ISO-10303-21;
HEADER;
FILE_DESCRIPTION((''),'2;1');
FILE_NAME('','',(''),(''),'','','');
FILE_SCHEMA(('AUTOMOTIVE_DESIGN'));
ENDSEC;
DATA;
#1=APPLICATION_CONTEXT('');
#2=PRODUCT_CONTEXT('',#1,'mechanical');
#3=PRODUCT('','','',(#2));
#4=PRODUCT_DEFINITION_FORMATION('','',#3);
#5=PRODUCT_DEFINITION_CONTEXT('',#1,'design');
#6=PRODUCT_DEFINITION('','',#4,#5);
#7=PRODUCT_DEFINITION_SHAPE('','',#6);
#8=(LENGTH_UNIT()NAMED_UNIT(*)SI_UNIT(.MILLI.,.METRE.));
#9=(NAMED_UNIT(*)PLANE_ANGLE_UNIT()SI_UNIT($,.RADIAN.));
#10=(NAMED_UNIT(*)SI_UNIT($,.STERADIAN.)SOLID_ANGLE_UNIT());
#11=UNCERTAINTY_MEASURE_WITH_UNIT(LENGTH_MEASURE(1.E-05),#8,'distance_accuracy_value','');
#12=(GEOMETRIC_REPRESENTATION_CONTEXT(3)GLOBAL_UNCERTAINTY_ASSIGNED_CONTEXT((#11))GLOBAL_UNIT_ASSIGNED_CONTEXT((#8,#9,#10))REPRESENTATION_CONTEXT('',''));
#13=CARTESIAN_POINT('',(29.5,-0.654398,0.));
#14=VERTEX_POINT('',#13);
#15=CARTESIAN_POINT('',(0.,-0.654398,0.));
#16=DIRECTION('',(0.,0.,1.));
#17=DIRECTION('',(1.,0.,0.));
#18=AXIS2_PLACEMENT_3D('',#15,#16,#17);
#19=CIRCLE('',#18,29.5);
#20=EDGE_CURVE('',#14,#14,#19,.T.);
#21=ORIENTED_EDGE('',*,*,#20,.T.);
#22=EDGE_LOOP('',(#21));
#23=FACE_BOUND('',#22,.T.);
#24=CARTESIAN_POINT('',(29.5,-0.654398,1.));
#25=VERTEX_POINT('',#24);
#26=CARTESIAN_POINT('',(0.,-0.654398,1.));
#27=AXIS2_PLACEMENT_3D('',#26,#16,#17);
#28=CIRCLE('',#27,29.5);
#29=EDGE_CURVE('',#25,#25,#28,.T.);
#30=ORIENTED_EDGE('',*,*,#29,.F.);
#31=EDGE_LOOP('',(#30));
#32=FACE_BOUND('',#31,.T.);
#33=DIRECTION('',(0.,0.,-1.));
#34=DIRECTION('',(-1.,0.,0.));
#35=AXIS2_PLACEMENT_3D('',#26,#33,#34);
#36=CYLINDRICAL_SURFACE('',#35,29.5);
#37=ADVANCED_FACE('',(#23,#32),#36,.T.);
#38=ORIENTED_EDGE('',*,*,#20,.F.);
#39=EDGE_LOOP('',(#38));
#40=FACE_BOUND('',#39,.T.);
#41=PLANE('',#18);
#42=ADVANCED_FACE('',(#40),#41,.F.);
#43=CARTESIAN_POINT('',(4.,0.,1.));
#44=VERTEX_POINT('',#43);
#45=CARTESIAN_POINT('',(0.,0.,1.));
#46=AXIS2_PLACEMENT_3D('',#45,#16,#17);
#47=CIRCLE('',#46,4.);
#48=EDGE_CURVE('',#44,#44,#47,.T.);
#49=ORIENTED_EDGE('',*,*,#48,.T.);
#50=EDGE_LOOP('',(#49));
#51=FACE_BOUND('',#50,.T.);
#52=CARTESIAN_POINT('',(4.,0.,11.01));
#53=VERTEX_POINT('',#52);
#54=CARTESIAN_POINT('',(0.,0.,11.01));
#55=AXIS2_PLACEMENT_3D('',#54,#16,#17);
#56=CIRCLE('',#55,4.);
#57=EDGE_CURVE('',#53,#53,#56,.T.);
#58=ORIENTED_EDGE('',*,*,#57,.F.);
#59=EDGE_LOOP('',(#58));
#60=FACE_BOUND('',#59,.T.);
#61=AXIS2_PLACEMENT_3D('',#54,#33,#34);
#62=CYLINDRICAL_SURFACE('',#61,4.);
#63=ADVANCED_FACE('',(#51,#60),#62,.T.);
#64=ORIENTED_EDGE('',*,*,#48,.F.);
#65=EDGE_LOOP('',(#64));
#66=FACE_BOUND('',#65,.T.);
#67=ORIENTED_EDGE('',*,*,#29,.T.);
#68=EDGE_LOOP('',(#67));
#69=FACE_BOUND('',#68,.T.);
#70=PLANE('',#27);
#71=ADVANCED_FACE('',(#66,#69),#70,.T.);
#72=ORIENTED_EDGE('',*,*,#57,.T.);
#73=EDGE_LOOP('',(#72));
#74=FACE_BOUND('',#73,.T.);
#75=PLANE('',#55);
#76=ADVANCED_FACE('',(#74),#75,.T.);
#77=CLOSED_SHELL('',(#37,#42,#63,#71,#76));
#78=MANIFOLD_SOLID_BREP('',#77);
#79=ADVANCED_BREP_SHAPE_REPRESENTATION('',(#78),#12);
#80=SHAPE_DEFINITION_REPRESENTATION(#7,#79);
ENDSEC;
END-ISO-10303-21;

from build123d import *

# Parameters (mm, degrees)
SKETCH_1_R      = 29.5
EXTRUDE_2_DEPTH = 1
SKETCH_2_R      = 4
EXTRUDE_3_DEPTH = 10.01


with BuildPart() as part:
    # 草图1 → 凸台-拉伸2 (new body)
    with BuildSketch(Plane.XY):
        with Locations((0, -0.654398217)):
            Circle(SKETCH_1_R)
    extrude(amount=EXTRUDE_2_DEPTH)

    # 草图2 → 凸台-拉伸3 (add)
    with BuildSketch(Plane.XY.offset(1)):
        Circle(SKETCH_2_R)
    extrude(amount=EXTRUDE_3_DEPTH)


solid = part.part
